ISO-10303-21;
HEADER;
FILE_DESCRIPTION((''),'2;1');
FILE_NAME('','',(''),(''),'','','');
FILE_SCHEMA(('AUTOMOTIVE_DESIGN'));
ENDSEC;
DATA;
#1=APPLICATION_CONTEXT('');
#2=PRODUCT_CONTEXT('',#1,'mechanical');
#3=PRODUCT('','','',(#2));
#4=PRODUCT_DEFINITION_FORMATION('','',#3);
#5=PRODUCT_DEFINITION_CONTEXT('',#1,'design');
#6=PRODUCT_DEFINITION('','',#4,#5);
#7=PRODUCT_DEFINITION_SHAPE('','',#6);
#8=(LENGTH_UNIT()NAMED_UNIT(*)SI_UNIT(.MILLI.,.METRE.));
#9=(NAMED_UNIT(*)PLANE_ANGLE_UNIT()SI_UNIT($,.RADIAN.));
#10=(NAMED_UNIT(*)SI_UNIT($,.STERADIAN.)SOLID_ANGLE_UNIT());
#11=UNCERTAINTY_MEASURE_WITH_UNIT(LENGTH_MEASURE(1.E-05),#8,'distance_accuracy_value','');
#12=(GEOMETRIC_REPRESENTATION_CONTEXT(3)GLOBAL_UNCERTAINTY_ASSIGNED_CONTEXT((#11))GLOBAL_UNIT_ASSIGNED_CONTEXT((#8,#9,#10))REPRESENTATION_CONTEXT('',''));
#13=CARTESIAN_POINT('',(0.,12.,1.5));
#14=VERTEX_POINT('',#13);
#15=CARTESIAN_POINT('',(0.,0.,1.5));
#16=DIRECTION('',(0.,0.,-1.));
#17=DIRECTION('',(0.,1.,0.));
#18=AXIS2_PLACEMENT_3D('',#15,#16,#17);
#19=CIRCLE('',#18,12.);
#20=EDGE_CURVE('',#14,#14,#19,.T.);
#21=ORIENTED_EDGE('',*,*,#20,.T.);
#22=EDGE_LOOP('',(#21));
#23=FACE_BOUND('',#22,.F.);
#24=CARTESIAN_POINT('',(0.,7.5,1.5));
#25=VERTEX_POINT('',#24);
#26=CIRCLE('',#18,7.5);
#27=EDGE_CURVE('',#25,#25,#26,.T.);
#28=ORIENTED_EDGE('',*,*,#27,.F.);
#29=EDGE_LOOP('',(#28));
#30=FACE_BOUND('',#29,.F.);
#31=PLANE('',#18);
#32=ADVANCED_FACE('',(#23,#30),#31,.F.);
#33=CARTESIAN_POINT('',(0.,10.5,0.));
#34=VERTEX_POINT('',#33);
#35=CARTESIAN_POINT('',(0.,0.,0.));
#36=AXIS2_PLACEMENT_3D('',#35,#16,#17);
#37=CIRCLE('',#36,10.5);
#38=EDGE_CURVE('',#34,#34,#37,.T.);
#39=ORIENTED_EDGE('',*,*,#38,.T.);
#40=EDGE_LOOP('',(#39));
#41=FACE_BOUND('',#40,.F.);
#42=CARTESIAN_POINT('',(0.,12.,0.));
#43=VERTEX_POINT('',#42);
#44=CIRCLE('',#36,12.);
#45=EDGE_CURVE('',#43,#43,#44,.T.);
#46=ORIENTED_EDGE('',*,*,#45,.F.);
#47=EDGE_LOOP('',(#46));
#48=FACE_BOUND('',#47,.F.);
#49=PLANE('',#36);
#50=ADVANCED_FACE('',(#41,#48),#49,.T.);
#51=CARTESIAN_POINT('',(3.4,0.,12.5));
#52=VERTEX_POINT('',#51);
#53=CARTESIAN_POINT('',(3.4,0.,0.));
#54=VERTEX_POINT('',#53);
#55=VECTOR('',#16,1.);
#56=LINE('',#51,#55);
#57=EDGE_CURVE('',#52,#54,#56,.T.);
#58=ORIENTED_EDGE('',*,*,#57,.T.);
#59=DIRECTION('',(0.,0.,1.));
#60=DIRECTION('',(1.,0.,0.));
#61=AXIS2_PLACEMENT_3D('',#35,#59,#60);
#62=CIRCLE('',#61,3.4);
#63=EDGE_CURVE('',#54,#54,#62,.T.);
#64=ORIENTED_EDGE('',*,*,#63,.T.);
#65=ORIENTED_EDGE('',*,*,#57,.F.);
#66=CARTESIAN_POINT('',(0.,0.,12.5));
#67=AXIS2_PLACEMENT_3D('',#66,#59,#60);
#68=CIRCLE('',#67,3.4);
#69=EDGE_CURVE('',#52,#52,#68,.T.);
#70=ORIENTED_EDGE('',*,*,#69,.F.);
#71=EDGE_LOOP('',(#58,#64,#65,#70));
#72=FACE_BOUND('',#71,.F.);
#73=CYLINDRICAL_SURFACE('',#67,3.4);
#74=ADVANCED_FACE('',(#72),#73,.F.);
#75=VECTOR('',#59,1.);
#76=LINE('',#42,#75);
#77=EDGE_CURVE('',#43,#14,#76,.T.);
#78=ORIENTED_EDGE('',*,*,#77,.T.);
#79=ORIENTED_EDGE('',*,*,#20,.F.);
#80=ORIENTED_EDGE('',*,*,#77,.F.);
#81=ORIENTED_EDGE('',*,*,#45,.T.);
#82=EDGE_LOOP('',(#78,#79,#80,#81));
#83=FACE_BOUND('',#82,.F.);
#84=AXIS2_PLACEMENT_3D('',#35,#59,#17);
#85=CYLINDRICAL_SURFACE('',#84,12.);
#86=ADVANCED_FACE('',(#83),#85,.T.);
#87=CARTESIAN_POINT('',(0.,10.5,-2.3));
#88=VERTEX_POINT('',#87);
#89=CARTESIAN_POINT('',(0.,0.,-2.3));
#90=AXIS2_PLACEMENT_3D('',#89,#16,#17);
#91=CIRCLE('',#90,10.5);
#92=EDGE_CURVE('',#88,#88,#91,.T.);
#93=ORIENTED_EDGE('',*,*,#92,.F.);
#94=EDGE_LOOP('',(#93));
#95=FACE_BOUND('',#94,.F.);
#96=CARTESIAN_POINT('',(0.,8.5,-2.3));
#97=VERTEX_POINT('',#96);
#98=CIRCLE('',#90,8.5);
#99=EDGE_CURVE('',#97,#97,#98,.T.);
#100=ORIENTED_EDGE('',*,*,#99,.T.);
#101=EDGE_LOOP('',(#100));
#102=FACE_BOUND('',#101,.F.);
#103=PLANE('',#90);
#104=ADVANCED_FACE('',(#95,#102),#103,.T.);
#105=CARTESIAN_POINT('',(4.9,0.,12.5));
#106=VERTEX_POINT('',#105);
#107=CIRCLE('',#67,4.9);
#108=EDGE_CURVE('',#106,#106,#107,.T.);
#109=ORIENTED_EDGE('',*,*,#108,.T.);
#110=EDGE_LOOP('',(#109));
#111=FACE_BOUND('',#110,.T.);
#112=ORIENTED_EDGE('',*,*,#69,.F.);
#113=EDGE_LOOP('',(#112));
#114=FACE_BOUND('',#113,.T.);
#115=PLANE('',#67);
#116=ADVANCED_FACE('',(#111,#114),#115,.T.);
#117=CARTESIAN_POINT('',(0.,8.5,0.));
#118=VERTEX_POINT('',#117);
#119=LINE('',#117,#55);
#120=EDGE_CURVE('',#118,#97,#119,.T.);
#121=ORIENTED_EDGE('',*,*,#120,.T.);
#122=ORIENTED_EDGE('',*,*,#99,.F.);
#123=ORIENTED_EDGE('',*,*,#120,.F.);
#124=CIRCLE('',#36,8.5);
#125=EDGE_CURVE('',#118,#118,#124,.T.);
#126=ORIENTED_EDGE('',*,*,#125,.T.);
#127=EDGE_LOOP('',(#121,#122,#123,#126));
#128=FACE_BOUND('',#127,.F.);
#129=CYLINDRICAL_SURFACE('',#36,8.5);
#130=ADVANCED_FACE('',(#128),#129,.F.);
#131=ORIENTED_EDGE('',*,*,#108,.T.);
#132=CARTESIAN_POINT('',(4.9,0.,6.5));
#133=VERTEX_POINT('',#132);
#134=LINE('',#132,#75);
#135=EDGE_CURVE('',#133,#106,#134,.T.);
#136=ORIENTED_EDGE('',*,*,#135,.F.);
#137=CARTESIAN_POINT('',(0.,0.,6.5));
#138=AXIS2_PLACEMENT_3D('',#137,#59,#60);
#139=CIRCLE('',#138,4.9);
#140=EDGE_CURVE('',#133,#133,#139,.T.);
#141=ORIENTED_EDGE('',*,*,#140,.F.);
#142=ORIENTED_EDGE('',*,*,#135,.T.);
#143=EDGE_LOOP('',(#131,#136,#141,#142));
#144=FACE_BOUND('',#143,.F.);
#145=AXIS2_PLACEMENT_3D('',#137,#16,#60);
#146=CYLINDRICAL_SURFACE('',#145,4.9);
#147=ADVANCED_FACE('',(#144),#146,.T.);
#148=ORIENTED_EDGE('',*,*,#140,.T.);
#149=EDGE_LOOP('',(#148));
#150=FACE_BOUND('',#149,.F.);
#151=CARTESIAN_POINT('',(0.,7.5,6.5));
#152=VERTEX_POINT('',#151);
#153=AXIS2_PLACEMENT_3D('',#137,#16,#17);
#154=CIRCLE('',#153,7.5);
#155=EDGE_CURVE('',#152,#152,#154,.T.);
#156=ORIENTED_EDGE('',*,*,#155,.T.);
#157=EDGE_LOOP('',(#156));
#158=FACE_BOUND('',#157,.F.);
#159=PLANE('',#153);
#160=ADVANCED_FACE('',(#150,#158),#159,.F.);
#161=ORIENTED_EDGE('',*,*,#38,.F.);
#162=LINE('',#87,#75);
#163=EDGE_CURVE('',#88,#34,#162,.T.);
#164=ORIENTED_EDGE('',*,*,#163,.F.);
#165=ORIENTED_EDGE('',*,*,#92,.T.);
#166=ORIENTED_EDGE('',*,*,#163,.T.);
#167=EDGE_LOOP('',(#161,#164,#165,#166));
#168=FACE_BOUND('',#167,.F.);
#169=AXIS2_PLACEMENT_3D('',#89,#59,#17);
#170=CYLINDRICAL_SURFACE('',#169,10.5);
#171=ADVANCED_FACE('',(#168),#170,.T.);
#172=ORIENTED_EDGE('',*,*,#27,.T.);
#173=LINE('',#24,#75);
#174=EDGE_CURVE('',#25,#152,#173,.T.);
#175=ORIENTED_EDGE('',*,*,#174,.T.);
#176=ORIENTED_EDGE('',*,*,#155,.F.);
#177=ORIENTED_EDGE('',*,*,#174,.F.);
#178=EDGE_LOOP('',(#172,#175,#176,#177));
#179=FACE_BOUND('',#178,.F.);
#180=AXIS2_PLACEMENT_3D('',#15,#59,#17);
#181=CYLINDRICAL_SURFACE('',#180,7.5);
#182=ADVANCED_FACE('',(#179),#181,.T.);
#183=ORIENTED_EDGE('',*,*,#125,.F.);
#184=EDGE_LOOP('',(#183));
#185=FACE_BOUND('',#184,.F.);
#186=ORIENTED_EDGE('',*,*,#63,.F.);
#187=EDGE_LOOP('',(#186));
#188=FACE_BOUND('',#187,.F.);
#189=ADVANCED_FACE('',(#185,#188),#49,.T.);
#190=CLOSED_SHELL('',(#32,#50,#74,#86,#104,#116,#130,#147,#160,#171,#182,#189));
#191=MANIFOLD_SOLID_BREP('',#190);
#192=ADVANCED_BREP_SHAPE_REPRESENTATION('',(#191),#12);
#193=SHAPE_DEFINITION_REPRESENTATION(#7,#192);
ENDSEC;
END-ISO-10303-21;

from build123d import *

# Parameters (mm, degrees)
F2_R     = 4.9
F3_DEPTH = 6
F4_R     = 3.4
F5_DEPTH = 14.801


with BuildPart() as f1:
    # F0 (on Right) → F1 (revolve)
    with BuildSketch(Plane.YZ):
        Polygon((0, 6.5), (0, 0), (8.5, 0), (8.5, -2.3), (10.5, -2.3), (10.5, 0), (12, 0), (12, 1.5), (7.5, 1.5), (7.5, 6.5), align=None)
    revolve(axis=Axis((0, 0, 3.25), (0, 0, -1)))

    # F2 (on face) → F3 (join)
    with BuildSketch(Plane.XY.offset(6.5)):
        Circle(F2_R)
    extrude(amount=F3_DEPTH)

    # F4 (on face) → F5 (cut, through all)
    with BuildSketch(Plane.XY.offset(12.5)):
        Circle(F4_R)
    extrude(amount=-F5_DEPTH, mode=Mode.SUBTRACT)


solid = f1.part
